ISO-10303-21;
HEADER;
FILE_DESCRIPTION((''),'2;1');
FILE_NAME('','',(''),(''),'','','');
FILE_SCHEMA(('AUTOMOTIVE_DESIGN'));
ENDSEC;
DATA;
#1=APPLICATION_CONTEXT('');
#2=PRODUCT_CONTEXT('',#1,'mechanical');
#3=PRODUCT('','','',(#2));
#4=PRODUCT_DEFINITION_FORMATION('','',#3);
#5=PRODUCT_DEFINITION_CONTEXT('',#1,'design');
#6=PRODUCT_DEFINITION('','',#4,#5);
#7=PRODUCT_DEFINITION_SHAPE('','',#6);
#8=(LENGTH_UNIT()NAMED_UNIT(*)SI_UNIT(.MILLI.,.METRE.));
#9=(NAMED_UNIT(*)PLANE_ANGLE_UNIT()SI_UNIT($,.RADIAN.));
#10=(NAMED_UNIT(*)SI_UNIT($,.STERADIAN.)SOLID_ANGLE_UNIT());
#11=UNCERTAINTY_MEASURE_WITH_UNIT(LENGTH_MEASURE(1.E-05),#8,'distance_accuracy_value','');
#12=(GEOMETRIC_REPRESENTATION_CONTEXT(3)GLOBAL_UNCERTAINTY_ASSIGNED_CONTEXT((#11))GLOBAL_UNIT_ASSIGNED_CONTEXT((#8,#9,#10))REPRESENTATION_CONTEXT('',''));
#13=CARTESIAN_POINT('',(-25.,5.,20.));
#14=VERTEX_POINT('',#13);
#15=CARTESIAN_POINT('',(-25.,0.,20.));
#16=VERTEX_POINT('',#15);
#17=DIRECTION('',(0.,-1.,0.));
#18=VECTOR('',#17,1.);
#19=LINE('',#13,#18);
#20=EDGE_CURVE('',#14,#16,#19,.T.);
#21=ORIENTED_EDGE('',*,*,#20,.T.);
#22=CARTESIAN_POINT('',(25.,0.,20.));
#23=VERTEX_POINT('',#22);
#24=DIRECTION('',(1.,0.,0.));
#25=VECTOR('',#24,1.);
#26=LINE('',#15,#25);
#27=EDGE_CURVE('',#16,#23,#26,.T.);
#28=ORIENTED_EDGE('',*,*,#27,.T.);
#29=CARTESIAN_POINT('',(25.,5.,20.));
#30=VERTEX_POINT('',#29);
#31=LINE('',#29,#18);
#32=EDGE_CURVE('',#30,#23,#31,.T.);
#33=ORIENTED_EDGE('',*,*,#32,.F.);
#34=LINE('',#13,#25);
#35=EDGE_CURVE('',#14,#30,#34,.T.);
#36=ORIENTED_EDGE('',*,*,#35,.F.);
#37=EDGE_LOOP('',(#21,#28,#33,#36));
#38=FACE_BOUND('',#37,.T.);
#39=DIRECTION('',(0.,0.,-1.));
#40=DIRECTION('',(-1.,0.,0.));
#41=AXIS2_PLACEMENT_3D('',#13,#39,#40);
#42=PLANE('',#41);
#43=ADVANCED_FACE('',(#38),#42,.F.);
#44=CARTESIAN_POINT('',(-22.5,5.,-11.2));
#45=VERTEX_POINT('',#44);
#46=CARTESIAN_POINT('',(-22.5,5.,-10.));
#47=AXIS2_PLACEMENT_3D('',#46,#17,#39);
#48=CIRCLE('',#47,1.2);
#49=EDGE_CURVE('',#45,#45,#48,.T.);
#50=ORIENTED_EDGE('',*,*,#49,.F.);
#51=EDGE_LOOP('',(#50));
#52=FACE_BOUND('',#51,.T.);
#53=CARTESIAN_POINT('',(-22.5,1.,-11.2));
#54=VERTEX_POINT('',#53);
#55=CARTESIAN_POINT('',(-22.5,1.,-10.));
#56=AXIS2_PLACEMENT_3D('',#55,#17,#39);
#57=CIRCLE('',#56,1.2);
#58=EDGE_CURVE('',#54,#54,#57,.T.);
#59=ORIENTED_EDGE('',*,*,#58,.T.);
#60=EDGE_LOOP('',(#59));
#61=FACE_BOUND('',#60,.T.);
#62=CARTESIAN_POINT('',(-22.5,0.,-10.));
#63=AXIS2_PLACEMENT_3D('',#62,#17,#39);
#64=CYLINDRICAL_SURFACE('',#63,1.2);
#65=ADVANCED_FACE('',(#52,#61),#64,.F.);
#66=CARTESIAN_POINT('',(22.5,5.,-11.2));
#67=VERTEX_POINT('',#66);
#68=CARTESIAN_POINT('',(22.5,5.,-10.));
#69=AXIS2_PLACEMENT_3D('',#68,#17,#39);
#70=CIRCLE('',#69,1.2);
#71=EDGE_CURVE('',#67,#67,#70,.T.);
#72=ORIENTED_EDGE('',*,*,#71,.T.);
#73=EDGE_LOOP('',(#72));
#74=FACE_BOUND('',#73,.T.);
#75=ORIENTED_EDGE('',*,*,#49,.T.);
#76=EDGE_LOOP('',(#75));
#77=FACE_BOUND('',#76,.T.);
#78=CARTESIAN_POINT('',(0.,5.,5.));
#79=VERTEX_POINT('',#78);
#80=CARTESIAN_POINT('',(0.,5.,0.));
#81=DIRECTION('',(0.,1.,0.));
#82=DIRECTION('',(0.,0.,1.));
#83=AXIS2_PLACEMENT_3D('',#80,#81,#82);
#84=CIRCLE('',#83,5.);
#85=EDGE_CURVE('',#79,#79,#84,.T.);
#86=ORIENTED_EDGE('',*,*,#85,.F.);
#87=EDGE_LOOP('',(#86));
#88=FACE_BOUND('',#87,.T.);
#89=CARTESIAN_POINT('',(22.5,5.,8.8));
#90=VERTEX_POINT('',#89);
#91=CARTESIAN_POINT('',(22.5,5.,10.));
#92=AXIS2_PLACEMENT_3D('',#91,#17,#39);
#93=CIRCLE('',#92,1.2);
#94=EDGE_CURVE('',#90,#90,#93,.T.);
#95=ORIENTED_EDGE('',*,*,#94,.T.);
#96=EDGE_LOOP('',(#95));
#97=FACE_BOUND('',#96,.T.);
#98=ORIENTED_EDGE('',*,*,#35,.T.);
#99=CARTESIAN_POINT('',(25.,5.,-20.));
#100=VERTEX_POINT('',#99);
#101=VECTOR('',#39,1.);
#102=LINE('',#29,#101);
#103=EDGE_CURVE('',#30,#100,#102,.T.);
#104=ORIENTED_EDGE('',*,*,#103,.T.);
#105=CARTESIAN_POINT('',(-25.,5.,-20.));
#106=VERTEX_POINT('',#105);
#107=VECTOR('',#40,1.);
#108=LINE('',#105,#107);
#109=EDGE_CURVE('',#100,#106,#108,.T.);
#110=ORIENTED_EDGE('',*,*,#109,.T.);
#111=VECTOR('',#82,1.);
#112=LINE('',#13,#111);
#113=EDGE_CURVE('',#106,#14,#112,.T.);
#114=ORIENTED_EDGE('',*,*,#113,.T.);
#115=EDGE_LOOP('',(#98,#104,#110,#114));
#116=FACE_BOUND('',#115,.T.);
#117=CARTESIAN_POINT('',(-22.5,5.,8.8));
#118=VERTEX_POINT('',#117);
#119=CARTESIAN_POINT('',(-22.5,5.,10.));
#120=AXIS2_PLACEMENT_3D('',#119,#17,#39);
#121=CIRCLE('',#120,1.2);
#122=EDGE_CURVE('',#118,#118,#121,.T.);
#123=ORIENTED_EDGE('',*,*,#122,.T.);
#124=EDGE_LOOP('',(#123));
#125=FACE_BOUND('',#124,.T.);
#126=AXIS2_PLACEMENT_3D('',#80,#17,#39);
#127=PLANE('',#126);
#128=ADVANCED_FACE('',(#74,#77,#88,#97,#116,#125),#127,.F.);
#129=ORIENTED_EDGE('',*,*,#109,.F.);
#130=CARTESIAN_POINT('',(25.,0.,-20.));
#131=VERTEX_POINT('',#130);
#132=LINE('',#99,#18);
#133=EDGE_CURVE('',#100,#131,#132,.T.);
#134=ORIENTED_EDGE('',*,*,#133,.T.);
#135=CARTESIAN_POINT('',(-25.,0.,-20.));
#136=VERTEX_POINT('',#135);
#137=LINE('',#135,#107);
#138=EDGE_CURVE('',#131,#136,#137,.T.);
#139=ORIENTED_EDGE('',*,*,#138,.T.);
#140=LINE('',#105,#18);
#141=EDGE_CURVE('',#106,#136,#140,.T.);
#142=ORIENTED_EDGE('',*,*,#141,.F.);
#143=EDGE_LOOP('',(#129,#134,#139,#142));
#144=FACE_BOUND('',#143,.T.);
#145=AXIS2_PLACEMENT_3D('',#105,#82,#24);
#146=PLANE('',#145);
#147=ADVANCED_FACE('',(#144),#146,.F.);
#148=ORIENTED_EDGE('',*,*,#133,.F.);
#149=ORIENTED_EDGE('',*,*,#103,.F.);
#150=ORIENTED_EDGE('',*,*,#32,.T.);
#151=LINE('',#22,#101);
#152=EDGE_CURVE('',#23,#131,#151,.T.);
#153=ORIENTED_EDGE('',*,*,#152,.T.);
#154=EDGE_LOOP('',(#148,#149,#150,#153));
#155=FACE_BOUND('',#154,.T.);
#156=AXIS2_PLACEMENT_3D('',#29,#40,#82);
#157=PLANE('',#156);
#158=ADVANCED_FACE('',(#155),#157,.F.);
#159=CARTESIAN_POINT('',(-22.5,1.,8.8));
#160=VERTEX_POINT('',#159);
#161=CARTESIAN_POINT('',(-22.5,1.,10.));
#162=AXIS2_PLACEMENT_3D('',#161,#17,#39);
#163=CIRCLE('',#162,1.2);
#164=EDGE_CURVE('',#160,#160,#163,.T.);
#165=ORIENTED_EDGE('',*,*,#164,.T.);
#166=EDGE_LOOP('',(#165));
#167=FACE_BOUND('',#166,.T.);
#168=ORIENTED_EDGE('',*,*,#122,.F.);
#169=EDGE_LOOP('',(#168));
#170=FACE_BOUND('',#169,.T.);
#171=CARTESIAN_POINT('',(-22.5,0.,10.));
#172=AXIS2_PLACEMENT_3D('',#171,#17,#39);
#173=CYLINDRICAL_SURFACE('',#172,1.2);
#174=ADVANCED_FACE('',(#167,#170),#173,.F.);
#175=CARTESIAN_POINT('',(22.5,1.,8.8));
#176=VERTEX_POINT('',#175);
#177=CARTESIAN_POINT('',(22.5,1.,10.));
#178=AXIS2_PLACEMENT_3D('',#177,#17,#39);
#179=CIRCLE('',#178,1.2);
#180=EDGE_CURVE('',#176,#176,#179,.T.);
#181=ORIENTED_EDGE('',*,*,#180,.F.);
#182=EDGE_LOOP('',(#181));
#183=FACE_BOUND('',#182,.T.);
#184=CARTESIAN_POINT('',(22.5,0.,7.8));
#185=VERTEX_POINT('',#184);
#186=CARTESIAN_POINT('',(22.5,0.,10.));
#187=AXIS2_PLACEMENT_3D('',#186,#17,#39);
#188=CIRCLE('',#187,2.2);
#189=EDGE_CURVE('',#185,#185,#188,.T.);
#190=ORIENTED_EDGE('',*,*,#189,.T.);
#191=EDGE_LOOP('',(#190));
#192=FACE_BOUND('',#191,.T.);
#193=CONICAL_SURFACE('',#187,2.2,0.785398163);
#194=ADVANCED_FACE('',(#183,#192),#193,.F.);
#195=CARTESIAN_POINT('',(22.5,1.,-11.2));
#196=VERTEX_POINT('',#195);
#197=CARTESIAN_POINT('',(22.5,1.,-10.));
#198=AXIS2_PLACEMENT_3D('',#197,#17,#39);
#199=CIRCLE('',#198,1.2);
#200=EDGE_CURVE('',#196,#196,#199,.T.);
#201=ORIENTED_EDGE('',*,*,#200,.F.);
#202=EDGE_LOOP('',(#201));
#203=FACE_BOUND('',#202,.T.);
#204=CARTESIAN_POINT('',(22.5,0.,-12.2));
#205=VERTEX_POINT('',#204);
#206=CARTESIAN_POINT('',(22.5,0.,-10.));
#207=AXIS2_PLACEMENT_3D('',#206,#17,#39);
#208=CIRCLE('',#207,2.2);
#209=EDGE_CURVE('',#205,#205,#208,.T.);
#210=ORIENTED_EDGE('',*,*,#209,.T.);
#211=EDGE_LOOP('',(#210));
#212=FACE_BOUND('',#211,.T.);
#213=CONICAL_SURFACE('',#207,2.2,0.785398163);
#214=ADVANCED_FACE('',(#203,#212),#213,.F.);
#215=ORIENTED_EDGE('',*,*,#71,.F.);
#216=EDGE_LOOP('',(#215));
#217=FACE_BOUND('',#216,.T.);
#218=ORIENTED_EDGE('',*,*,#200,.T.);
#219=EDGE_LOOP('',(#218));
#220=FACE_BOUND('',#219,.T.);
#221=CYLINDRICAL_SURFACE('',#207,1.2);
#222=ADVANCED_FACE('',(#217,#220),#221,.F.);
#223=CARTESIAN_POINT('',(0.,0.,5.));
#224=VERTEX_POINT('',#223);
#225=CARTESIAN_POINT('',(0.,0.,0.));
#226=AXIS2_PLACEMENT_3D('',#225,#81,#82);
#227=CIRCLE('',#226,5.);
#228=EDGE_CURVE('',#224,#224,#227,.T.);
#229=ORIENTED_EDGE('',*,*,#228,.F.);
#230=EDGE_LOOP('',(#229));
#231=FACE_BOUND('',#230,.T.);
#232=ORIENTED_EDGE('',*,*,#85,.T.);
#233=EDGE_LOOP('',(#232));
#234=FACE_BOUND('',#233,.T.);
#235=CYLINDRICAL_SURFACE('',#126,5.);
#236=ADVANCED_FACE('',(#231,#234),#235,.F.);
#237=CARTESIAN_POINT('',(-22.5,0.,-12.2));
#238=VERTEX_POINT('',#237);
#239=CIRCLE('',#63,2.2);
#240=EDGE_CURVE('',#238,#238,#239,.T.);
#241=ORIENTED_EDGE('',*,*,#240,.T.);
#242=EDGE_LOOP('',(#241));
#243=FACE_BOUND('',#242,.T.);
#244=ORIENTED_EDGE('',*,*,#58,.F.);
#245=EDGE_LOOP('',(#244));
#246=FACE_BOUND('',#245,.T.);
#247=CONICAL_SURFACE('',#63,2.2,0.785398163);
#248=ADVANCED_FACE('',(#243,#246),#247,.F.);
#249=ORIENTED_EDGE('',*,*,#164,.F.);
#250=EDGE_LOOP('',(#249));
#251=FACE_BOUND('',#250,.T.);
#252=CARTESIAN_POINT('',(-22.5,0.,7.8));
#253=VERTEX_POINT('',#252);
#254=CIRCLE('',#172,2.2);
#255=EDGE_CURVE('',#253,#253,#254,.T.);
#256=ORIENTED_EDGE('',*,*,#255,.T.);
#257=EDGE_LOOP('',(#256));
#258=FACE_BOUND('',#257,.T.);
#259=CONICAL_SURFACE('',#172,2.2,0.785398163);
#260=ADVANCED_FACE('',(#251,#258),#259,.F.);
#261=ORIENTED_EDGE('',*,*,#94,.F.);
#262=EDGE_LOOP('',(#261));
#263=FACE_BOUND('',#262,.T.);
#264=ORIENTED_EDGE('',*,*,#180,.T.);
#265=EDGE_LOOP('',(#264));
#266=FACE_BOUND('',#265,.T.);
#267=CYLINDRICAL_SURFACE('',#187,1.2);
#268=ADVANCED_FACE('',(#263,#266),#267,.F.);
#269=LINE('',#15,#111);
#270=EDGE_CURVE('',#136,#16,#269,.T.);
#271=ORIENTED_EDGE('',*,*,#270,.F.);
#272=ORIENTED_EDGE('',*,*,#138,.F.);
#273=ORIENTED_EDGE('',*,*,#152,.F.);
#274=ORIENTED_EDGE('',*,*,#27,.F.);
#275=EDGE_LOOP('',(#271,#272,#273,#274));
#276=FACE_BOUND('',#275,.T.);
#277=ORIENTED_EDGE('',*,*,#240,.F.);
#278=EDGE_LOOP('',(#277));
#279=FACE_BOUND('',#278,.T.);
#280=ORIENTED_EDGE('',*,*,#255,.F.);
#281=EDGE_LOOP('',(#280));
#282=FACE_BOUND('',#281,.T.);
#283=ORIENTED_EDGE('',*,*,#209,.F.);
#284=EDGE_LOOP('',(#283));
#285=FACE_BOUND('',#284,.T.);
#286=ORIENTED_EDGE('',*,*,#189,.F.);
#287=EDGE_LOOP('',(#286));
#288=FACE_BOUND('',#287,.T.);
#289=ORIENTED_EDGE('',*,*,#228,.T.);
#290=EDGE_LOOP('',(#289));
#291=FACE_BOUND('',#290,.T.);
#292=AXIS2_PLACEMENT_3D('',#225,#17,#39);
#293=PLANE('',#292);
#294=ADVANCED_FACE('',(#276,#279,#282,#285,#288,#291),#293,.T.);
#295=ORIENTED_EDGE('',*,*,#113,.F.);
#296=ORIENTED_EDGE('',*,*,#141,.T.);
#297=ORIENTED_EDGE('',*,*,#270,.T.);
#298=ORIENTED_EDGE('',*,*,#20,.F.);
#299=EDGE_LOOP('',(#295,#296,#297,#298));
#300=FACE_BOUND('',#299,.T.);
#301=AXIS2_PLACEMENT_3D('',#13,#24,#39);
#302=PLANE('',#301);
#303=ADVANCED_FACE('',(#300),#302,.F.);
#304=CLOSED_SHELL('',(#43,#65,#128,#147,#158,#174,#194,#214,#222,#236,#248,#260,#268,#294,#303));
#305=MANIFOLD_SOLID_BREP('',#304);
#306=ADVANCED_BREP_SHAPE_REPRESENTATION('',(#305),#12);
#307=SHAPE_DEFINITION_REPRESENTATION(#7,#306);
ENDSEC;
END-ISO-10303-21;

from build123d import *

# Parameters (mm, degrees)
SKETCH1_W                                           = 50
SKETCH1_H                                           = 40
SKETCH1_R                                           = 5
BOSS_EXTRUDE1_DEPTH                                 = 5
CSK_FOR_M2_COUNTERSUNK_FLAT_HEAD_SCREW1_D           = 2.4
CSK_FOR_M2_COUNTERSUNK_FLAT_HEAD_SCREW1_CSINK_D     = 4.4
CSK_FOR_M2_COUNTERSUNK_FLAT_HEAD_SCREW1_CSINK_ANGLE = 90


with BuildPart() as part:
    # Sketch1 → Boss-Extrude1 (new body)
    with BuildSketch(Plane(origin=(0, 0, 0), x_dir=(1, 0, 0), z_dir=(0, 1, 0))):
        Rectangle(SKETCH1_W, SKETCH1_H)
        with Locations(Location((0, 0, 0), (0, 0, 270))):
            Circle(SKETCH1_R, mode=Mode.SUBTRACT)
    extrude(amount=BOSS_EXTRUDE1_DEPTH)

    # CSK for M2 Countersunk Flat Head Screw1 (through all)
    with Locations(Plane(origin=(0, 0, 0), x_dir=(-1, 0, 0), z_dir=(0, -1, 0))):
        with Locations((22.5, -10), (22.5, 10), (-22.5, 10), (-22.5, -10)):
            CounterSinkHole(CSK_FOR_M2_COUNTERSUNK_FLAT_HEAD_SCREW1_D / 2, CSK_FOR_M2_COUNTERSUNK_FLAT_HEAD_SCREW1_CSINK_D / 2, counter_sink_angle=CSK_FOR_M2_COUNTERSUNK_FLAT_HEAD_SCREW1_CSINK_ANGLE)


solid = part.part
